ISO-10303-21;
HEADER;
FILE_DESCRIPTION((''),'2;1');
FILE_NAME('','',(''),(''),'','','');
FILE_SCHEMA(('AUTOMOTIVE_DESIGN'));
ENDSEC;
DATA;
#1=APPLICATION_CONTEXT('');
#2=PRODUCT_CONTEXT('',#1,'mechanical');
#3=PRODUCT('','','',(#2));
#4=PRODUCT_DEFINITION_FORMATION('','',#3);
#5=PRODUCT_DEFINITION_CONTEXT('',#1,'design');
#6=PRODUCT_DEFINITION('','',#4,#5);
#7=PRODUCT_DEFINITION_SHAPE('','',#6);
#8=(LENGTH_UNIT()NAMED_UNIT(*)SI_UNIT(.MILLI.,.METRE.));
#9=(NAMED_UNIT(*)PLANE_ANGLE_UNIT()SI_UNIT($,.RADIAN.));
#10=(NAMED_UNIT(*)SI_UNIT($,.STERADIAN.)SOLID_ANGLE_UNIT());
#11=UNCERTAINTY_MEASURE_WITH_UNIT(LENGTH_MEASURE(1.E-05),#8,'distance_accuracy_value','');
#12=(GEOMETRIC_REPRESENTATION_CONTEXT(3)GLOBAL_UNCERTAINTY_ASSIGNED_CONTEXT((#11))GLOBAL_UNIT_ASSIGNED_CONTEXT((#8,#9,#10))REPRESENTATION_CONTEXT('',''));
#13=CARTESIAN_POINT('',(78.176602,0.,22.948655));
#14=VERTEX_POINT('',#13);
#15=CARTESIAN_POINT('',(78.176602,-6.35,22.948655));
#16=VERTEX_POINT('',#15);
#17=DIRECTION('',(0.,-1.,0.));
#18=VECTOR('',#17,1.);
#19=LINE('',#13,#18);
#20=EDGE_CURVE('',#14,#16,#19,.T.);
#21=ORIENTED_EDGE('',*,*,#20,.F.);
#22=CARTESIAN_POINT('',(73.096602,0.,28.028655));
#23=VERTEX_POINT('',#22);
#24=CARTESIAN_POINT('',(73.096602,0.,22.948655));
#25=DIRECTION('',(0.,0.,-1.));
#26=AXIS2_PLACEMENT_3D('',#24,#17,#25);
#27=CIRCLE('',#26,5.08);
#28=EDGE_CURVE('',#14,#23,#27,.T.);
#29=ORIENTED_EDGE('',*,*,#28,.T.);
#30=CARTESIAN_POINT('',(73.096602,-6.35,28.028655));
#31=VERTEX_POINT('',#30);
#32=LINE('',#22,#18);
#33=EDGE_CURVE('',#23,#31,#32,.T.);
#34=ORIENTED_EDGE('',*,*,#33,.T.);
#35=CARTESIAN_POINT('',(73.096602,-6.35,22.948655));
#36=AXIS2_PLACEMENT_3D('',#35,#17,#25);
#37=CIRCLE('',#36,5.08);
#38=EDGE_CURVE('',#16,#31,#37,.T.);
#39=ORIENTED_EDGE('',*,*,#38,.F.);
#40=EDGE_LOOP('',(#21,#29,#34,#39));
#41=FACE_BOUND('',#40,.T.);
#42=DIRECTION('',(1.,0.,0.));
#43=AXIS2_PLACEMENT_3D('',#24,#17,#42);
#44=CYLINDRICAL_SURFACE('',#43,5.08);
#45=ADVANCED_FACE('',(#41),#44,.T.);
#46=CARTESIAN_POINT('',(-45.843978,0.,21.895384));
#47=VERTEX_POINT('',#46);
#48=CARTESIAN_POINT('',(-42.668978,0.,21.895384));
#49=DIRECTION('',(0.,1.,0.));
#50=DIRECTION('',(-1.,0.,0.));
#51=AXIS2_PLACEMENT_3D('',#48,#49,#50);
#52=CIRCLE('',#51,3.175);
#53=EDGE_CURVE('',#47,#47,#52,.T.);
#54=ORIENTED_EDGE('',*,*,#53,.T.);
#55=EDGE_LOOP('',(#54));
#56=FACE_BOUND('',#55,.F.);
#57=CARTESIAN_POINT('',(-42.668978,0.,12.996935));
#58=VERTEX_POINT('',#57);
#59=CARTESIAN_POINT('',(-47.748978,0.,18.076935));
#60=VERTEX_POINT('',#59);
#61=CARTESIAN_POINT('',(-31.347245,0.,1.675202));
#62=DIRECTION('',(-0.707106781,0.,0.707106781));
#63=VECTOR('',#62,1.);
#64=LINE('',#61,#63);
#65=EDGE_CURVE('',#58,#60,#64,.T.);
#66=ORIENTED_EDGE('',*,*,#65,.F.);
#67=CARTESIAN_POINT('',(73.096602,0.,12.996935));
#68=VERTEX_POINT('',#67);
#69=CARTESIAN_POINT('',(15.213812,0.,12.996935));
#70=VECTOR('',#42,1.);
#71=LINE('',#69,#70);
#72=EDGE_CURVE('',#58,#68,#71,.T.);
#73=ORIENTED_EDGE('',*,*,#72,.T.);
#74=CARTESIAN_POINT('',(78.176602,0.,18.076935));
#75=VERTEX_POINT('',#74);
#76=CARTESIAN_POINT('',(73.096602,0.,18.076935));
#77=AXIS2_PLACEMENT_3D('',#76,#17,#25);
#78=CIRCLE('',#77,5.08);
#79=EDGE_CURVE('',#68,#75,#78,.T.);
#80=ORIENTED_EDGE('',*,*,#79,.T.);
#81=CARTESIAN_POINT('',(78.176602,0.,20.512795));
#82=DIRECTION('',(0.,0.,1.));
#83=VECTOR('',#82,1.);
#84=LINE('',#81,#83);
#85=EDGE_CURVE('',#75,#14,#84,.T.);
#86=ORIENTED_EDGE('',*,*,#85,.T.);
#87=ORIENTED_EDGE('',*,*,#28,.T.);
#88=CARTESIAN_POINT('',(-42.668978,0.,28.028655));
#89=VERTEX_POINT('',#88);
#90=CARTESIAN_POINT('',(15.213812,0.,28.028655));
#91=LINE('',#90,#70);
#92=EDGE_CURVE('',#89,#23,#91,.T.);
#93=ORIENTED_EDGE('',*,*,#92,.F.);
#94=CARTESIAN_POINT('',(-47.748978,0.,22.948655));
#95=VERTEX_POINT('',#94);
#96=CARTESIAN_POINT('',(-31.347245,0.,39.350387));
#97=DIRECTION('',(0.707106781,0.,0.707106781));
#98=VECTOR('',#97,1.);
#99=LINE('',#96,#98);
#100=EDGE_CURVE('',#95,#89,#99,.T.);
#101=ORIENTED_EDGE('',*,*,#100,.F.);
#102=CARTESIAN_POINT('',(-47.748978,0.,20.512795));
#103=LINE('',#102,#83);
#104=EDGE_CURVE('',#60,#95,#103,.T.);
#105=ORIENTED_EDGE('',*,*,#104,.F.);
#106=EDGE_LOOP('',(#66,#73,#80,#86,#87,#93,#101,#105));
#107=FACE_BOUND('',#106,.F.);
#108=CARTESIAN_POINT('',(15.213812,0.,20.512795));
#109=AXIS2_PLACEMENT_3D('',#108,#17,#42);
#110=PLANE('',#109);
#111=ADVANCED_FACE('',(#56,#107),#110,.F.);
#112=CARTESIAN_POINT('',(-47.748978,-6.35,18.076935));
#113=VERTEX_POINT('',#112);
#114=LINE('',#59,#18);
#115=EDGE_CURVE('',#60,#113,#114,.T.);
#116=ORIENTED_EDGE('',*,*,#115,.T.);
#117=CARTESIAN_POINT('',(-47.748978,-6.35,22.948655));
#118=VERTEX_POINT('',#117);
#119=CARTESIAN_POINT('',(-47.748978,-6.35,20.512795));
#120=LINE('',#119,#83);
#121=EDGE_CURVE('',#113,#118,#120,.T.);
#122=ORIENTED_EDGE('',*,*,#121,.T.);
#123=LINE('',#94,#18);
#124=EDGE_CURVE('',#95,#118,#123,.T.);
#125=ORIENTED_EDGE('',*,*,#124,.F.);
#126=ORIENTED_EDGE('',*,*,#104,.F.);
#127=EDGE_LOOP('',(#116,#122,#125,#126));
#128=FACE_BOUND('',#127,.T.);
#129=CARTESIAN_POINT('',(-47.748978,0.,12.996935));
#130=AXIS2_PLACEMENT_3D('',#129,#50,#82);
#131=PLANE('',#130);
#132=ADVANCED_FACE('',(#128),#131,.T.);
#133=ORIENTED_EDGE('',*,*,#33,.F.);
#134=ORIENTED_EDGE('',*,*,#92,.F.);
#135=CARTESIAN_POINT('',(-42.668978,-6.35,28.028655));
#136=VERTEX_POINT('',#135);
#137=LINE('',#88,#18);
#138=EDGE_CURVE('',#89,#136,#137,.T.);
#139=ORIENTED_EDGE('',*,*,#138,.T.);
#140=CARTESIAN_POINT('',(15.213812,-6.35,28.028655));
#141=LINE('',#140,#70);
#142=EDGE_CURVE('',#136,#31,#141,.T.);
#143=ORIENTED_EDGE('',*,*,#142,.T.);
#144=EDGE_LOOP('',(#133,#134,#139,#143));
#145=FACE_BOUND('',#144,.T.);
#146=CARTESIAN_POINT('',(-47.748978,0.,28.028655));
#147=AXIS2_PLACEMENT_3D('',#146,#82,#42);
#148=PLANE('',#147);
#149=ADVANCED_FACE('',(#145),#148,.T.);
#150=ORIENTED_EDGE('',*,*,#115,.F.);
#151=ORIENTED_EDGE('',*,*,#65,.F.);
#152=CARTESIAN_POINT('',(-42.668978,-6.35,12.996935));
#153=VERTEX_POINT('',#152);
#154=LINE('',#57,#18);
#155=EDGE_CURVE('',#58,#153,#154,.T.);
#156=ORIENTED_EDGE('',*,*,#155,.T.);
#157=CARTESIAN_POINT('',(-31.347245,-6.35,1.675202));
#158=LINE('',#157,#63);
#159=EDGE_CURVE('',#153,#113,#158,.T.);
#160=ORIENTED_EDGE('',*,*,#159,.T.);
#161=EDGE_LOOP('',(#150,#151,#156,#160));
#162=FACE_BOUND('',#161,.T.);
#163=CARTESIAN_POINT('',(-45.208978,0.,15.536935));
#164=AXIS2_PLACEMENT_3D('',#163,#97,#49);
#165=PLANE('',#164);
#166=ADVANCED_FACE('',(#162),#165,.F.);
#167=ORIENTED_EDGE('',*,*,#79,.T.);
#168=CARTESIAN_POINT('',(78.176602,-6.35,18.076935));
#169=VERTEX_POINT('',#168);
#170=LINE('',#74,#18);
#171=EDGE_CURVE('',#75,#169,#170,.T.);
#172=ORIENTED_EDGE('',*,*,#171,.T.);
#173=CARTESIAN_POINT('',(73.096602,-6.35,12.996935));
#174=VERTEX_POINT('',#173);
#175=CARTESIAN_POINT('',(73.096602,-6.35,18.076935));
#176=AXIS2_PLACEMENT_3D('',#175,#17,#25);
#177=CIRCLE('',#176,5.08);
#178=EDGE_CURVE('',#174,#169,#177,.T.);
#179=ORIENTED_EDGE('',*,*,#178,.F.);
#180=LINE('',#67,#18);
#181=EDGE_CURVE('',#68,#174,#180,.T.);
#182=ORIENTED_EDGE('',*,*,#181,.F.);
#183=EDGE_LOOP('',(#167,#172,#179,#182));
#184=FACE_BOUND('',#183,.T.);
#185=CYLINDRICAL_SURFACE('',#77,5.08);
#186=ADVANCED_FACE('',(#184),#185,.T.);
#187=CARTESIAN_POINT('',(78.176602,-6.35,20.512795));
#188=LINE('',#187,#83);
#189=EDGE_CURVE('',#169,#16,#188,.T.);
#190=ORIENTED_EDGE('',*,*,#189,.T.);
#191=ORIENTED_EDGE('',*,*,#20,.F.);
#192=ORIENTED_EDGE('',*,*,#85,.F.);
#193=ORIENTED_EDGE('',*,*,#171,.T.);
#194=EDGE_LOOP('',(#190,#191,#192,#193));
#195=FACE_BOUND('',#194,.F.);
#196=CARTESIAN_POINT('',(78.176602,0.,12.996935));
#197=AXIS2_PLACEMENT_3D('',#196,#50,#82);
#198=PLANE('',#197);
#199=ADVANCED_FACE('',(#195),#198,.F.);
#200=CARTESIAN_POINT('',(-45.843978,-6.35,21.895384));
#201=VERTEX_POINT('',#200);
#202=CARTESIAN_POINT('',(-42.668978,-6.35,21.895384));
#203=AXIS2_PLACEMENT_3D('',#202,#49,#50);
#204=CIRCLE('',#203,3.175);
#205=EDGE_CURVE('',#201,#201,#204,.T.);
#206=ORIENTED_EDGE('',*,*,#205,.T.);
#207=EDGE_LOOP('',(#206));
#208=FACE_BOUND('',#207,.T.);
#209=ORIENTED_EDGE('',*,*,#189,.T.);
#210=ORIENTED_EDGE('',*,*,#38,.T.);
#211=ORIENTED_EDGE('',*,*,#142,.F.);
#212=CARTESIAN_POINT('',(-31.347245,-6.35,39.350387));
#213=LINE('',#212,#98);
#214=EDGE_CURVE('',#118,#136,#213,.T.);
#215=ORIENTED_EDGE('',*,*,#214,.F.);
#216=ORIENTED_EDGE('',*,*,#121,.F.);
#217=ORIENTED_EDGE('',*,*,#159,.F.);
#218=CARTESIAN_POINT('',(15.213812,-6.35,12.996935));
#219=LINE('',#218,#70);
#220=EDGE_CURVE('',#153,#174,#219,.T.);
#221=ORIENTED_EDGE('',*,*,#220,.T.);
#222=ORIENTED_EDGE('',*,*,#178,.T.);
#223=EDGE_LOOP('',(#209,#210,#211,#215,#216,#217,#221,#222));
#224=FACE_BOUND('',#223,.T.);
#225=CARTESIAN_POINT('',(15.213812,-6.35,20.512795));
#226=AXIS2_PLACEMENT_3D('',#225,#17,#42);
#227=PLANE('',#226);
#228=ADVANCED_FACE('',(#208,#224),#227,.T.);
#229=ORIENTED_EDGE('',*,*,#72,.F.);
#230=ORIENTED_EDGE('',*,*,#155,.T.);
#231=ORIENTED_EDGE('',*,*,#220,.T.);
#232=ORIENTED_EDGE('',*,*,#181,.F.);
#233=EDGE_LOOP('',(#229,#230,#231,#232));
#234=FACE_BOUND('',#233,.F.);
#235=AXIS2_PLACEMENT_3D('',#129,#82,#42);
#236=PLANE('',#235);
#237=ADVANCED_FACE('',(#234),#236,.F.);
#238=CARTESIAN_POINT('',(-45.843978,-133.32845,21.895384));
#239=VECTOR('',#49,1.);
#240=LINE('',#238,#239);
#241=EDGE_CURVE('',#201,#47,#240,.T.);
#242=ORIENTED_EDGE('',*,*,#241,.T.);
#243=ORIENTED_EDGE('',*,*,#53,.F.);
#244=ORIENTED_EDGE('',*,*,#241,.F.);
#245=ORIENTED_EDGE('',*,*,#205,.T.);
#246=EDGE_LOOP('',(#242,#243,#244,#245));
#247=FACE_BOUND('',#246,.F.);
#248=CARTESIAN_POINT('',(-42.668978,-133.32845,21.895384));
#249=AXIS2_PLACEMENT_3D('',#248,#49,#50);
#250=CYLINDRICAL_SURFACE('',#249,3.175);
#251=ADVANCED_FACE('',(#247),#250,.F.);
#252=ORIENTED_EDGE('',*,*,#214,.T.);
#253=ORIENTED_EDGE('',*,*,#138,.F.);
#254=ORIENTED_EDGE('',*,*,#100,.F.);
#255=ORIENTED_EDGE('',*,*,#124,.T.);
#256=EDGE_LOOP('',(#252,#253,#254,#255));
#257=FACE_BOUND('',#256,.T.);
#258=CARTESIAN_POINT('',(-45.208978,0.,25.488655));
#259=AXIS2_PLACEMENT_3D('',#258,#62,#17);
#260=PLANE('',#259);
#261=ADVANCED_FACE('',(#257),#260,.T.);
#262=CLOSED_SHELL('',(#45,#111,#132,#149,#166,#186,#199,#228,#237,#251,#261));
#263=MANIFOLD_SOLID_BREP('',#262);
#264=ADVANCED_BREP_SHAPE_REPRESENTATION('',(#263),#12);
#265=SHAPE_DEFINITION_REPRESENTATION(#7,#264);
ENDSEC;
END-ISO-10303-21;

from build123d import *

# Parameters (mm, degrees)
F0_W     = 125.92558
F0_H     = 15.03172
F1_DEPTH = 6.35
F2_R     = 5.08
F3_SIZE  = 5.08
F5_D     = 6.35


with BuildPart() as f1:
    # F0 (on Front) → F1 (new body)
    with BuildSketch(Plane.XZ):
        with Locations((15.213812, 20.512795)):
            Rectangle(F0_W, F0_H)
    extrude(amount=F1_DEPTH)

    # F2
    f2_edges = [f1.edges().sort_by_distance(p)[0] for p in [
        (78.176602, -3.175, 28.028655),
        (78.176602, -3.175, 12.996935),
    ]]
    fillet(f2_edges, radius=F2_R)

    # F3
    f3_edges = [f1.edges().sort_by_distance(p)[0] for p in [
        (-47.748978, -3.175, 28.028655),
        (-47.748978, -3.175, 12.996935),
    ]]
    chamfer(f3_edges, length=F3_SIZE)

    # F5 (through all)
    with Locations(Plane.XZ.offset(6.35)):
        with Locations((-42.668978, 21.895384)):
            Hole(F5_D / 2)


solid = f1.part
